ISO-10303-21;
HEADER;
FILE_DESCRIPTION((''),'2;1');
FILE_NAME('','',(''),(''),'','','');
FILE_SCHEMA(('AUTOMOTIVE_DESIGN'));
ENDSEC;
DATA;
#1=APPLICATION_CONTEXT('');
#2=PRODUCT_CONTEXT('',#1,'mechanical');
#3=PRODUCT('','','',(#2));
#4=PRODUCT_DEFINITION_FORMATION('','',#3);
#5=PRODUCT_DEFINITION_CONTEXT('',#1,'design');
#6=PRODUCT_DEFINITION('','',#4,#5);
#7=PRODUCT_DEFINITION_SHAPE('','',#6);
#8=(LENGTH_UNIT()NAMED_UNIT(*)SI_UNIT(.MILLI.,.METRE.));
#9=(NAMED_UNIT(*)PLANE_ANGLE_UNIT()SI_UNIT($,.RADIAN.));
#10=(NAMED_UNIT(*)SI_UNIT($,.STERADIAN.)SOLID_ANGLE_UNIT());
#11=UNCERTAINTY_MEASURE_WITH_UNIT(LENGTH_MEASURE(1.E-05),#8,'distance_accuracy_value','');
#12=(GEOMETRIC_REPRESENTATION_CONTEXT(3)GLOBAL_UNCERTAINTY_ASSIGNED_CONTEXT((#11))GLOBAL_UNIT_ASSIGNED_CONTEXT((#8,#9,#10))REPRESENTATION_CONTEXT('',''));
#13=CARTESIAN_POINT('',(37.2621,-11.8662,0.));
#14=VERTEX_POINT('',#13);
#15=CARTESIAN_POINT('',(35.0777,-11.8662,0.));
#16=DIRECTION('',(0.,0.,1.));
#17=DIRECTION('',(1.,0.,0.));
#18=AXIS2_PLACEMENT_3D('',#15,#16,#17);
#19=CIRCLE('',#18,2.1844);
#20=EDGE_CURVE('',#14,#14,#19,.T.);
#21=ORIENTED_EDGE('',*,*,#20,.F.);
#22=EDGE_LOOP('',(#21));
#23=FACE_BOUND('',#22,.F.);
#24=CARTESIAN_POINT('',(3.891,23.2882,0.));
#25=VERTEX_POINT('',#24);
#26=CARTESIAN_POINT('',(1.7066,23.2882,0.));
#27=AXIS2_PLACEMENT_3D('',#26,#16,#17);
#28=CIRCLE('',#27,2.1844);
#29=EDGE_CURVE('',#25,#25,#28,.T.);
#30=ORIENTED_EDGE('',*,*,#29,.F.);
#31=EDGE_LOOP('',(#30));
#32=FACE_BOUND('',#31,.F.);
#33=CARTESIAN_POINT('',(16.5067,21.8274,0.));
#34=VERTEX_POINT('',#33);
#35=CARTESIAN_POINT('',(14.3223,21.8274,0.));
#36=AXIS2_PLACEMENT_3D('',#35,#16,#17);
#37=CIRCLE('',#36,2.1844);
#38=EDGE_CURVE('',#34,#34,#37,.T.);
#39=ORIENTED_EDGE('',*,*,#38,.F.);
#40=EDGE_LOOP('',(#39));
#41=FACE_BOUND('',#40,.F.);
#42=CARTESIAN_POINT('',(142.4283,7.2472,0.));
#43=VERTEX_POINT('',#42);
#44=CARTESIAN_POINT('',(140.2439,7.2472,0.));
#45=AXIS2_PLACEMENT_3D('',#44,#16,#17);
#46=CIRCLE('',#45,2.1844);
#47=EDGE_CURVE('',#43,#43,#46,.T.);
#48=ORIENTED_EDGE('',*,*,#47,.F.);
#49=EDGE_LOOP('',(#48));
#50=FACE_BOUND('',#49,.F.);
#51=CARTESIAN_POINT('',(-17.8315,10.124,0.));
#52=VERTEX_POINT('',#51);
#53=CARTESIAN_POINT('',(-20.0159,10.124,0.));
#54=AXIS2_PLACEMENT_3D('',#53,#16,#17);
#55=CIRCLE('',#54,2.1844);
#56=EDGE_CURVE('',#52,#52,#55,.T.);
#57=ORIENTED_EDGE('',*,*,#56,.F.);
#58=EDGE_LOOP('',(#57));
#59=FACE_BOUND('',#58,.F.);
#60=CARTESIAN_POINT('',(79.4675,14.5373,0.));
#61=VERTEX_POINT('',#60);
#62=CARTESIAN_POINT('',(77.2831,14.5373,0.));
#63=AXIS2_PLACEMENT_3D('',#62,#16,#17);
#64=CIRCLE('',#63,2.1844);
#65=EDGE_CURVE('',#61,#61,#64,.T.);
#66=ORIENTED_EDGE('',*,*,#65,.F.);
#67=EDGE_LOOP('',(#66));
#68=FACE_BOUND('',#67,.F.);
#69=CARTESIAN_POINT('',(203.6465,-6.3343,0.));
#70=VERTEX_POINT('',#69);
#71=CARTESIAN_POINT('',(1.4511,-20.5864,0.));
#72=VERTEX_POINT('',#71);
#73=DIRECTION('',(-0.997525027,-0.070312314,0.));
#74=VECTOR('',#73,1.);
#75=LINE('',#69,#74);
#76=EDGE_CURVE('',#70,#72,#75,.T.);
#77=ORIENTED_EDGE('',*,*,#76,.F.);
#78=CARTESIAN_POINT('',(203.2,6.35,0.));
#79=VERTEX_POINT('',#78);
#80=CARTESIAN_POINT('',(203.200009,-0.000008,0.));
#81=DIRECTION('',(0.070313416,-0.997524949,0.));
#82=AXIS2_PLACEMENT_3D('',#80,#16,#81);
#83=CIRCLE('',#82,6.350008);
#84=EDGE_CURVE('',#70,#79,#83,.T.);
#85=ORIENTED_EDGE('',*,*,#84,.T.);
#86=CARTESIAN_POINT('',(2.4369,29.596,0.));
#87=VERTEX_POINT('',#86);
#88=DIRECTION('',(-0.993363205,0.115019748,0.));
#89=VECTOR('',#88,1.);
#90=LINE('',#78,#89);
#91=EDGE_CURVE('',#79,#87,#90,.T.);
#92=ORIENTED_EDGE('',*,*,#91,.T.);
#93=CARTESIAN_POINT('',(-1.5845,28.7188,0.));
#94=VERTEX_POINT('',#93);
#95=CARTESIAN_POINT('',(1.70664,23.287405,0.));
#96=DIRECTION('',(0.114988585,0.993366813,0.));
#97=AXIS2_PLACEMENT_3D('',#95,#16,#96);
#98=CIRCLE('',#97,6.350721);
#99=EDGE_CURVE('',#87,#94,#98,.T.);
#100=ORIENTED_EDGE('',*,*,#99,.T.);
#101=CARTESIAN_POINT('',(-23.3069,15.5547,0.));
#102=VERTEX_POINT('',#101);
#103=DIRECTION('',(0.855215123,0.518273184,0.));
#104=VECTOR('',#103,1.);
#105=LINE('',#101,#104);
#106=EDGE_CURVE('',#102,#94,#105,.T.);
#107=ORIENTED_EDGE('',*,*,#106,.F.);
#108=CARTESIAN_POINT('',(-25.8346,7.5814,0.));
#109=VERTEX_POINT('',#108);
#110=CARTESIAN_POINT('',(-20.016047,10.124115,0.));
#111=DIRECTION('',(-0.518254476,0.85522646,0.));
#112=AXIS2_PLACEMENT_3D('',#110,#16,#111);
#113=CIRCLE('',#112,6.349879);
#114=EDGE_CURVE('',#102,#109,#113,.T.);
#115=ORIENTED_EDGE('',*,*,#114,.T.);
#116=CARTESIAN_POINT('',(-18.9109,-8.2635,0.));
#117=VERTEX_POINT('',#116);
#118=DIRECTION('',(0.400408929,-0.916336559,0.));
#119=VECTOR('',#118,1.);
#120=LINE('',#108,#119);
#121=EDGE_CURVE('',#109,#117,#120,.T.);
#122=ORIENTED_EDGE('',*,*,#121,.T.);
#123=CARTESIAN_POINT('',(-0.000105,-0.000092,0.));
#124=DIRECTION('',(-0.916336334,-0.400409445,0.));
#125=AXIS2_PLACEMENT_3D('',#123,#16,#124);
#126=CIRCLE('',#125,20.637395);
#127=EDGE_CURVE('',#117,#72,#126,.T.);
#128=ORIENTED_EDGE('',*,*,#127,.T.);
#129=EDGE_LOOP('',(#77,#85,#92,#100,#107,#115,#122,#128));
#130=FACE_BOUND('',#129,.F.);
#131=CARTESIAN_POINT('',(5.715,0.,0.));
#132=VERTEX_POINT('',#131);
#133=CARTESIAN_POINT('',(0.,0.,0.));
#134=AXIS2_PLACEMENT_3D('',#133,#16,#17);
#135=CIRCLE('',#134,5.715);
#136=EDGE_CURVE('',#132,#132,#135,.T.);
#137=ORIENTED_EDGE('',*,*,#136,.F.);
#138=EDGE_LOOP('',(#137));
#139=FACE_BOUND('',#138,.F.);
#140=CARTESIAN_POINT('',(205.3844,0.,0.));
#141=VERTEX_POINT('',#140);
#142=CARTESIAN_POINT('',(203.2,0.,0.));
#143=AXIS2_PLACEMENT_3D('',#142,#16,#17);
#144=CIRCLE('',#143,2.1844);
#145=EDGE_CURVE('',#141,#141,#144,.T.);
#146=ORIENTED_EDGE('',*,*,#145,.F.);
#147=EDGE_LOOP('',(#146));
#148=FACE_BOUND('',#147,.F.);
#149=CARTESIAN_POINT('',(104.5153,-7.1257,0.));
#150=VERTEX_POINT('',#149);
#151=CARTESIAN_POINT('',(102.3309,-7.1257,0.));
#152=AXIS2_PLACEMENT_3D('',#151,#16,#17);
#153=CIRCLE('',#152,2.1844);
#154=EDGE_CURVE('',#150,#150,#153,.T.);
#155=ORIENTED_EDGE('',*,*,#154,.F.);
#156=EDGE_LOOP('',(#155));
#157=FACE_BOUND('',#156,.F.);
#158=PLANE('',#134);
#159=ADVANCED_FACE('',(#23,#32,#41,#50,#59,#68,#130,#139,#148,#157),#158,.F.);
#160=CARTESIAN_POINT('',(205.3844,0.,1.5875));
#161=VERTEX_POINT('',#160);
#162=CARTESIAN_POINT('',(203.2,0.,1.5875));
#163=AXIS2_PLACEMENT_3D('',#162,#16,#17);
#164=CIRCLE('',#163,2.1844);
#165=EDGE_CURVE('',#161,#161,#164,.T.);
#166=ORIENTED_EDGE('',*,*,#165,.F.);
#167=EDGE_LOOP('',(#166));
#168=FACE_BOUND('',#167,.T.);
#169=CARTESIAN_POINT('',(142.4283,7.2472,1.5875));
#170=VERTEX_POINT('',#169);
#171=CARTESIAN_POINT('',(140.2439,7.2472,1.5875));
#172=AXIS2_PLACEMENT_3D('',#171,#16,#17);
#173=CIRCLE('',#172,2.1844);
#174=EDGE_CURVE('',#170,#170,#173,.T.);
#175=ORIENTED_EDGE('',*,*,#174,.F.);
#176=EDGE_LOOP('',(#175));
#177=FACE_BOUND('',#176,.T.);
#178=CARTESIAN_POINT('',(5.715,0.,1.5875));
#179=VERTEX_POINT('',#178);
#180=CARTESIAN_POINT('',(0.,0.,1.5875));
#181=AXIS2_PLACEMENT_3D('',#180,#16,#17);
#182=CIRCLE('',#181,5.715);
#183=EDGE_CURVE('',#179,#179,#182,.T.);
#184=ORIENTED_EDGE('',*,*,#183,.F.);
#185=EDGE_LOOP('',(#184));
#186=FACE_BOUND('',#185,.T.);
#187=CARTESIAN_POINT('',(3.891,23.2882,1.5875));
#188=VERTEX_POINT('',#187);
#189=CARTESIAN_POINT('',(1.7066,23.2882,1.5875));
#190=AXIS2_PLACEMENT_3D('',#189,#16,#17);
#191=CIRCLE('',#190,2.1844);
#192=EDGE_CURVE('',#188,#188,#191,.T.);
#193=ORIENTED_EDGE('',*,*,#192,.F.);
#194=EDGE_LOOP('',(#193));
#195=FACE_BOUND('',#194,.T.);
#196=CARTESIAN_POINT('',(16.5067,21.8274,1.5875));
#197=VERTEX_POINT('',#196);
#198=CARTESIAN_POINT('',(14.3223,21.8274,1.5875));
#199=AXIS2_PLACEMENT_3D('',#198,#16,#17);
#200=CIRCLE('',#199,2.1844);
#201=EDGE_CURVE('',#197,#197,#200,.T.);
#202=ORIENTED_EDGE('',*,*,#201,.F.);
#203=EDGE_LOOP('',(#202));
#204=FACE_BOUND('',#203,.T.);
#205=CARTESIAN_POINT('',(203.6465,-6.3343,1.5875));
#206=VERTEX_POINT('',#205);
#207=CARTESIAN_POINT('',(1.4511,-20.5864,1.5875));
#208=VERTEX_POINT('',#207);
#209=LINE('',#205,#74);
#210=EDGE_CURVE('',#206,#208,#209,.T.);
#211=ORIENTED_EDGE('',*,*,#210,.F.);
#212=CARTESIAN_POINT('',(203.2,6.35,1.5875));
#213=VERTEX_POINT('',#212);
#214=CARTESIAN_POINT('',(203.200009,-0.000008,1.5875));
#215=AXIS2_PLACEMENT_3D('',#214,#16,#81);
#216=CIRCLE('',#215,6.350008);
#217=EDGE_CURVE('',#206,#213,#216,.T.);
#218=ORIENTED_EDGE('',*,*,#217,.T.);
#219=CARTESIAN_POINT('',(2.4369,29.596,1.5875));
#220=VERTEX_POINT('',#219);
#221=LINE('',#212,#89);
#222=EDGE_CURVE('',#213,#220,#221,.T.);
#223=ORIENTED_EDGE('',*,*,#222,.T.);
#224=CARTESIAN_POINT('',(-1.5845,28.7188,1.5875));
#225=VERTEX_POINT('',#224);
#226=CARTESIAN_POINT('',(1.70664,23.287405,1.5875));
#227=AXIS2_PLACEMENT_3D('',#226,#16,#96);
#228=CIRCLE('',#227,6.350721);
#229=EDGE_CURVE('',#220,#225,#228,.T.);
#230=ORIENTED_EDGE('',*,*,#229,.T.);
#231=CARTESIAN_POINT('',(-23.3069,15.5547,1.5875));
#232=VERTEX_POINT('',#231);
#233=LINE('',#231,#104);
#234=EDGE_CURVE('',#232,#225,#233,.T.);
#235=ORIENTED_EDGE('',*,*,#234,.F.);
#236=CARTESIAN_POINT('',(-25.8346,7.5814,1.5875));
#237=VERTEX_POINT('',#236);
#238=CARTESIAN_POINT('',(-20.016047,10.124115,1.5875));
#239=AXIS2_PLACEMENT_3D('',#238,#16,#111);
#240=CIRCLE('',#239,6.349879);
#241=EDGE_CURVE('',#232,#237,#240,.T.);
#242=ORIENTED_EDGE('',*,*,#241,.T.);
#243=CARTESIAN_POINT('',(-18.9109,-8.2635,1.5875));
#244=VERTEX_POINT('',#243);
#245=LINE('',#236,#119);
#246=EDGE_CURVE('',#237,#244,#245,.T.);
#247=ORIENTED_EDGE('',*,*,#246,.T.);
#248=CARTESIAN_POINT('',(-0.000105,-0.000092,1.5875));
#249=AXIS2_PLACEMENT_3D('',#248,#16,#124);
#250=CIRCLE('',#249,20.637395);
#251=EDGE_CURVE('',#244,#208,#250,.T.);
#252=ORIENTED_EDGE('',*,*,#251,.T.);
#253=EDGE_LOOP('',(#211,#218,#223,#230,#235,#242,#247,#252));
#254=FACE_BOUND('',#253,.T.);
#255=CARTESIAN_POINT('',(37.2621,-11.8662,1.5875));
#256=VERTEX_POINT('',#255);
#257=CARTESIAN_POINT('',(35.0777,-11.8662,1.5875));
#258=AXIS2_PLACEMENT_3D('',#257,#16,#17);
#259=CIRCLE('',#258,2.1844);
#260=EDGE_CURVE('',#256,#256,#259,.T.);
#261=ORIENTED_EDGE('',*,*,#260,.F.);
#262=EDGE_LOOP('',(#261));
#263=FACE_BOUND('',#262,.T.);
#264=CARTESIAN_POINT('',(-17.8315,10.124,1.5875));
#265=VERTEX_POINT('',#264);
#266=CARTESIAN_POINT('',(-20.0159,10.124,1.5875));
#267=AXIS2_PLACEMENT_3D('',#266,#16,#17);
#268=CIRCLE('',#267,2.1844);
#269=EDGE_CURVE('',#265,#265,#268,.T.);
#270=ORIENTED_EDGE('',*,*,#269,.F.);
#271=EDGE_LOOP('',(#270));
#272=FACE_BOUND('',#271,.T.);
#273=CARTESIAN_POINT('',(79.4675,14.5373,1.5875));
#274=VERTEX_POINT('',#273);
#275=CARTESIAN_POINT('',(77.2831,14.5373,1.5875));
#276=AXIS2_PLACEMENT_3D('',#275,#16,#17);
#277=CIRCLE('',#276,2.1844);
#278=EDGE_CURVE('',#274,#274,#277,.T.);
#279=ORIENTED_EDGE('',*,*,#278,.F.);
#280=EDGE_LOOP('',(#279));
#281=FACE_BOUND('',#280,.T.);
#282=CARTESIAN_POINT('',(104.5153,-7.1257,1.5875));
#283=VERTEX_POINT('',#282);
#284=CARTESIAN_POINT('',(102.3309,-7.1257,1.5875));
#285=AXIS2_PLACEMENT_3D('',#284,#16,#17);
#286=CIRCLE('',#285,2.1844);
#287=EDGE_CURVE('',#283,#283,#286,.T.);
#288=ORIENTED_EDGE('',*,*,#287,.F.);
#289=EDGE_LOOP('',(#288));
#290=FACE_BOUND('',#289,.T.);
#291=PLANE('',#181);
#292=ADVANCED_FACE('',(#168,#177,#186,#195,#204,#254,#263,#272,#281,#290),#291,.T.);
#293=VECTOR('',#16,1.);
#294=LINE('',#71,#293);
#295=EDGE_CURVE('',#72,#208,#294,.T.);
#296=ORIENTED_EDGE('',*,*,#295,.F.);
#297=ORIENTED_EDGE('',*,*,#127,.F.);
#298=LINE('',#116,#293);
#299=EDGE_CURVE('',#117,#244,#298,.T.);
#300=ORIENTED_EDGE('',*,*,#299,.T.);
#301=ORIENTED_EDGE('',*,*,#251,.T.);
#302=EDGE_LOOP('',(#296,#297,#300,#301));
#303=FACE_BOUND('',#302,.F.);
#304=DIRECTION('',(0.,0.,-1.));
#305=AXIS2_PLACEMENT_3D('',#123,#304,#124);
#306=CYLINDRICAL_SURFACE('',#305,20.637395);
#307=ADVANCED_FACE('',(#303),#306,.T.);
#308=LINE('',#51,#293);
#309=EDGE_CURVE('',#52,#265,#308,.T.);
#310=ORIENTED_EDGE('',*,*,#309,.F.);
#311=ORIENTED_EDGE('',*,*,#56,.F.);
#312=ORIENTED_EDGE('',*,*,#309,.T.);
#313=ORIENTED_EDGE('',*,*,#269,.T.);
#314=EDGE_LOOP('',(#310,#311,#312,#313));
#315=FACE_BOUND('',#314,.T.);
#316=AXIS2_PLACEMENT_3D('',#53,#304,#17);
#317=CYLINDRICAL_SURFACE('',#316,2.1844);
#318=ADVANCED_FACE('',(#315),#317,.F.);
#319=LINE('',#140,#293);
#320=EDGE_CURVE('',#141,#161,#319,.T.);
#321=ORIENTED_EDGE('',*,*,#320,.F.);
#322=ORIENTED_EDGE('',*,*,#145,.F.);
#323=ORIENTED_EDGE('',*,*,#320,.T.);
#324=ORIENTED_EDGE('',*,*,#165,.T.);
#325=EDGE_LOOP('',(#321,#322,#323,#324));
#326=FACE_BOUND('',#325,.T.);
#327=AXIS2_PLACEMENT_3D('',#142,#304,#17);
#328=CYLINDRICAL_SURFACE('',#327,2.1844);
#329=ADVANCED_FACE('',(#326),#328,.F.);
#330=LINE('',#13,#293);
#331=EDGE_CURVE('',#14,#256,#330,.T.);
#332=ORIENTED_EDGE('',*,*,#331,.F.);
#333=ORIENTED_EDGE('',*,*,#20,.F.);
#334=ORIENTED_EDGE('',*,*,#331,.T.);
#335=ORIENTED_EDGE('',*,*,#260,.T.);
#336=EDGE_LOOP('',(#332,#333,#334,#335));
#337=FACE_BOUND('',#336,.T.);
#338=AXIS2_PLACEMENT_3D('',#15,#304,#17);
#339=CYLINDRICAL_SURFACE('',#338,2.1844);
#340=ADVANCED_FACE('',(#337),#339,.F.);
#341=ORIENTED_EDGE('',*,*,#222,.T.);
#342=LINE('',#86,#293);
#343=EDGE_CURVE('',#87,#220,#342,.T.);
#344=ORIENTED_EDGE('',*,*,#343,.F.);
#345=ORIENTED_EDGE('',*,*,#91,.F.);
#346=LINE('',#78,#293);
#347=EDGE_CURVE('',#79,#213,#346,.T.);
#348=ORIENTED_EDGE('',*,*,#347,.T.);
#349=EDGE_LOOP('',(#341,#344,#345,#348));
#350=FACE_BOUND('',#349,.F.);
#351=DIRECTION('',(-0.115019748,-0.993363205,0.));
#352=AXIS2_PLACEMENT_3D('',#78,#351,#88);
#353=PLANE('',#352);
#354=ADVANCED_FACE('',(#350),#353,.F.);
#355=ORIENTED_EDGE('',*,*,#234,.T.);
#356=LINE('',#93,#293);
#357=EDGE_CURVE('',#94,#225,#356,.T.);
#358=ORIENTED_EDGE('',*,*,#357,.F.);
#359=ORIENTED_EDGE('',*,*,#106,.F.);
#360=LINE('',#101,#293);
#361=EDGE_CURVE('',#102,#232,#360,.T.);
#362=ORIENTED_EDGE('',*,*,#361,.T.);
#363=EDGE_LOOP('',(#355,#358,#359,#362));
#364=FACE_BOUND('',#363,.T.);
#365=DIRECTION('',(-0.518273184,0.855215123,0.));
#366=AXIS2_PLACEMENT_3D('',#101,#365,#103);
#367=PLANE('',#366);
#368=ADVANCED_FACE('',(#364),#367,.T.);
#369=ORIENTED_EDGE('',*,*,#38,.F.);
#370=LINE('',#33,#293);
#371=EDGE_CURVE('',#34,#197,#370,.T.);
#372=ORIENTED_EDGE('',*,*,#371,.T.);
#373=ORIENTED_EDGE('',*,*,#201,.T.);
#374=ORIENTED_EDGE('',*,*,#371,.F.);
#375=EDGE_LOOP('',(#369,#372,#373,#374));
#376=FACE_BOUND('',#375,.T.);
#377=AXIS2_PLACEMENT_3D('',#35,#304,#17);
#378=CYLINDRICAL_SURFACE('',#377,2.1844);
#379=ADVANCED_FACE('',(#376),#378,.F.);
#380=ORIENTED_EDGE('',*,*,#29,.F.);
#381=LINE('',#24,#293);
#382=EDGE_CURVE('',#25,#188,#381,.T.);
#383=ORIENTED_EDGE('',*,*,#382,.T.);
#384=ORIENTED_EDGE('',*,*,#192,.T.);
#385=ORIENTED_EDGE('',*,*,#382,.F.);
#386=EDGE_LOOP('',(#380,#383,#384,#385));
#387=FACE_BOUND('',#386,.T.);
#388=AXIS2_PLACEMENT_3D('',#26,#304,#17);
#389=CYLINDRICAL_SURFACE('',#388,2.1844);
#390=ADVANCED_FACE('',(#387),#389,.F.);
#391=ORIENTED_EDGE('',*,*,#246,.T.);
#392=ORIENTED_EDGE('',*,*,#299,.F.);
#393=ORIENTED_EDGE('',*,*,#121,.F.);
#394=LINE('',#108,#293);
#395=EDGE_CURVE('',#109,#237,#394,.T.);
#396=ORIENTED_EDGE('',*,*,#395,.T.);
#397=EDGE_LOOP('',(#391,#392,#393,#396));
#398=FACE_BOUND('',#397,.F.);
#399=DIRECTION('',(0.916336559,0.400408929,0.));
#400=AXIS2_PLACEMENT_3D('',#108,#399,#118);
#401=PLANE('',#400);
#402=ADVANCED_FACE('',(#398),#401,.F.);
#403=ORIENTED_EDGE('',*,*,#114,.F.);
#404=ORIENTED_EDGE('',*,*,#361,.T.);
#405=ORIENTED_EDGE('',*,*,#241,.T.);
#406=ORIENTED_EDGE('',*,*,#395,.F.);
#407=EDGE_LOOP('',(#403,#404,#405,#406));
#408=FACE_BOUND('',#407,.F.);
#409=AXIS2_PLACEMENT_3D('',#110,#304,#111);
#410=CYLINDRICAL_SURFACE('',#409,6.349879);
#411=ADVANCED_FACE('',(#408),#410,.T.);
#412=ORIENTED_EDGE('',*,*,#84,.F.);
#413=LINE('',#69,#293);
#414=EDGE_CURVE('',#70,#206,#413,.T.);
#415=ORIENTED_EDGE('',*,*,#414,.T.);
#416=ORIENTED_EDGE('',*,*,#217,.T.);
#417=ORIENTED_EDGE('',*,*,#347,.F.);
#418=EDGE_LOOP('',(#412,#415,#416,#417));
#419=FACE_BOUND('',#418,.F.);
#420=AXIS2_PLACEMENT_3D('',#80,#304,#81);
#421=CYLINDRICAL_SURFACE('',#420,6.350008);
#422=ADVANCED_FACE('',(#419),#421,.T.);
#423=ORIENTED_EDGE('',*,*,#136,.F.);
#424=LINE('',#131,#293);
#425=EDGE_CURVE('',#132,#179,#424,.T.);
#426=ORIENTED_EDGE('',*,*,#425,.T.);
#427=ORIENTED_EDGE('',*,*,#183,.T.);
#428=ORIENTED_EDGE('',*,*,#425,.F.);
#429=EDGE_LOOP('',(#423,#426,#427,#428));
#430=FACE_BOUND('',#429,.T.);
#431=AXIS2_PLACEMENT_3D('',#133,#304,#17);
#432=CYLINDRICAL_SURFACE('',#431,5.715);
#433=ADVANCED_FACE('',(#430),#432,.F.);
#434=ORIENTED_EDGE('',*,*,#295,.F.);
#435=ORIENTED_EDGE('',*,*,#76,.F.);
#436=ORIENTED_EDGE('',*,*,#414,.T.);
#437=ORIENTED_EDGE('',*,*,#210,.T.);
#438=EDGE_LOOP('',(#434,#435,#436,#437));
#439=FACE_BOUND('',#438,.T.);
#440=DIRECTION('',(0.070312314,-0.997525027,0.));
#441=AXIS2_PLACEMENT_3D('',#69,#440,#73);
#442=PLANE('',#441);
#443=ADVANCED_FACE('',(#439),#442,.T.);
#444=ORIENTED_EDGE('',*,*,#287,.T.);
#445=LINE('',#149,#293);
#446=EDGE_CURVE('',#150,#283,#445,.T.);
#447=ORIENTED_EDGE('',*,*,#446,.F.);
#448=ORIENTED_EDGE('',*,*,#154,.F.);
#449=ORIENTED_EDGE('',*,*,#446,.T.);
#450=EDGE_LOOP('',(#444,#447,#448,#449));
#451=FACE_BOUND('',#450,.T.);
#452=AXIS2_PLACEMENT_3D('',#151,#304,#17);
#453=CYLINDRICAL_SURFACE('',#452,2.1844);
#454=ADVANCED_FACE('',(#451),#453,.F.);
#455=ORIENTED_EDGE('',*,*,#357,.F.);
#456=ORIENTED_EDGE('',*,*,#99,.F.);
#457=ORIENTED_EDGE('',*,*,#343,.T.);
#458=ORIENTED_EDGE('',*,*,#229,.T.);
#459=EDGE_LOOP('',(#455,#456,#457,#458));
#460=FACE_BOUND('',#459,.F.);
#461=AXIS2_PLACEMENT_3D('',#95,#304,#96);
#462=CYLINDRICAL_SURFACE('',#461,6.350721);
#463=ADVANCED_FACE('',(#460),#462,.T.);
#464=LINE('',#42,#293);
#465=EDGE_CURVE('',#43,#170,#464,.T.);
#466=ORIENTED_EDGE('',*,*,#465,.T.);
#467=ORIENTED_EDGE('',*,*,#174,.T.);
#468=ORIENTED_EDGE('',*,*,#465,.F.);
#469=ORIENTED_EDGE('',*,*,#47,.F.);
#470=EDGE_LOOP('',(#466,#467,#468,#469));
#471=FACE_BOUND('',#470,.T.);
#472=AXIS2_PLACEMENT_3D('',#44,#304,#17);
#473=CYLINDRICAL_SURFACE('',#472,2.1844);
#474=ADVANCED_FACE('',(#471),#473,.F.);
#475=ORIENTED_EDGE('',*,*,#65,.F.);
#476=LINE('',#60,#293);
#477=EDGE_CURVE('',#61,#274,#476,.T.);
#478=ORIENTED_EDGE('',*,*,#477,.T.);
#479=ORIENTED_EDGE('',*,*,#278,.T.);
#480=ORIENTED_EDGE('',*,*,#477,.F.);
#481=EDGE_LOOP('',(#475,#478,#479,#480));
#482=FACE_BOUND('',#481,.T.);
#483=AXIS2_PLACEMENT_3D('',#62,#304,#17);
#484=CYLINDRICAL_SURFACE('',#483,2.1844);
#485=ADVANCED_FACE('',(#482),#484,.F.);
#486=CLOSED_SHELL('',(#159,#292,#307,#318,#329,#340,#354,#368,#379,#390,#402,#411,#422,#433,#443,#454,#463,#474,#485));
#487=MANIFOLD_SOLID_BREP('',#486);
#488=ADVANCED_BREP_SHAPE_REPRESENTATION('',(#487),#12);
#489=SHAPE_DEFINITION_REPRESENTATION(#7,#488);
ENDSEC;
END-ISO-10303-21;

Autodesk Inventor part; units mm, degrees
ref_plane "YZ Plane" through (0, 0, 0) normal (1, 0, 0) x (0, 1, 0)
ref_plane "XZ Plane" through (0, 0, 0) normal (0, 1, 0) x (-1, 0, 0)
ref_plane "XY Plane" through (0, 0, 0) normal (0, 0, 1) x (1, 0, 0)
sketch "Sketch1" plane through (0, 0, 0) normal (0, 0, 1) x (1, 0, 0)
  circle A0 centre (0, 0) radius 5.715
  circle A1 centre (203.2, 0) radius 2.1844
  line L0 (203.6465, -6.3343) -> (1.4511, -20.5864)
  circle A2 centre (1.7066, 23.2882) radius 2.1844
  circle A3 centre (-20.0159, 10.124) radius 2.1844
  line L1 (-23.3069, 15.5547) -> (-1.5845, 28.7188)
  line L2 (-25.8346, 7.5814) -> (-18.9109, -8.2635)
  arc A4 (-23.3069, 15.5547) -> (-25.8346, 7.5814) centre (-20.0159, 10.124) ccw
  line L3 (203.2, 6.35) -> (2.4369, 29.596)
  arc A5 (2.4369, 29.596) -> (-1.5845, 28.7188) centre (1.7066, 23.2882) ccw
  arc A6 (-18.9109, -8.2635) -> (1.4511, -20.5864) centre (0, 0) ccw
  circle A7 centre (14.3223, 21.8274) radius 2.1844
  circle A8 centre (77.2831, 14.5373) radius 2.1844
  circle A9 centre (140.2439, 7.2472) radius 2.1844
  circle A10 centre (35.0777, -11.8662) radius 2.1844
  circle A11 centre (102.3309, -7.1257) radius 2.1844
  arc A12 (203.6465, -6.3343) -> (203.2, 6.35) centre (203.2, 0) ccw
  dimension "d0" = 11.43
  dimension "d3" = 4.3688
  dimension "d30" = 4.3688
  dimension "d36" = 4.3688
  dimension "d45" = 4.3688
  dimension "d47" = 4.3688
  dimension "d51" = 4.3688
  dimension "d52" = 4.3688
extrude "Extrusion1" add sketch "Sketch1" along normal blind 1.5875
properties part number "intake"
